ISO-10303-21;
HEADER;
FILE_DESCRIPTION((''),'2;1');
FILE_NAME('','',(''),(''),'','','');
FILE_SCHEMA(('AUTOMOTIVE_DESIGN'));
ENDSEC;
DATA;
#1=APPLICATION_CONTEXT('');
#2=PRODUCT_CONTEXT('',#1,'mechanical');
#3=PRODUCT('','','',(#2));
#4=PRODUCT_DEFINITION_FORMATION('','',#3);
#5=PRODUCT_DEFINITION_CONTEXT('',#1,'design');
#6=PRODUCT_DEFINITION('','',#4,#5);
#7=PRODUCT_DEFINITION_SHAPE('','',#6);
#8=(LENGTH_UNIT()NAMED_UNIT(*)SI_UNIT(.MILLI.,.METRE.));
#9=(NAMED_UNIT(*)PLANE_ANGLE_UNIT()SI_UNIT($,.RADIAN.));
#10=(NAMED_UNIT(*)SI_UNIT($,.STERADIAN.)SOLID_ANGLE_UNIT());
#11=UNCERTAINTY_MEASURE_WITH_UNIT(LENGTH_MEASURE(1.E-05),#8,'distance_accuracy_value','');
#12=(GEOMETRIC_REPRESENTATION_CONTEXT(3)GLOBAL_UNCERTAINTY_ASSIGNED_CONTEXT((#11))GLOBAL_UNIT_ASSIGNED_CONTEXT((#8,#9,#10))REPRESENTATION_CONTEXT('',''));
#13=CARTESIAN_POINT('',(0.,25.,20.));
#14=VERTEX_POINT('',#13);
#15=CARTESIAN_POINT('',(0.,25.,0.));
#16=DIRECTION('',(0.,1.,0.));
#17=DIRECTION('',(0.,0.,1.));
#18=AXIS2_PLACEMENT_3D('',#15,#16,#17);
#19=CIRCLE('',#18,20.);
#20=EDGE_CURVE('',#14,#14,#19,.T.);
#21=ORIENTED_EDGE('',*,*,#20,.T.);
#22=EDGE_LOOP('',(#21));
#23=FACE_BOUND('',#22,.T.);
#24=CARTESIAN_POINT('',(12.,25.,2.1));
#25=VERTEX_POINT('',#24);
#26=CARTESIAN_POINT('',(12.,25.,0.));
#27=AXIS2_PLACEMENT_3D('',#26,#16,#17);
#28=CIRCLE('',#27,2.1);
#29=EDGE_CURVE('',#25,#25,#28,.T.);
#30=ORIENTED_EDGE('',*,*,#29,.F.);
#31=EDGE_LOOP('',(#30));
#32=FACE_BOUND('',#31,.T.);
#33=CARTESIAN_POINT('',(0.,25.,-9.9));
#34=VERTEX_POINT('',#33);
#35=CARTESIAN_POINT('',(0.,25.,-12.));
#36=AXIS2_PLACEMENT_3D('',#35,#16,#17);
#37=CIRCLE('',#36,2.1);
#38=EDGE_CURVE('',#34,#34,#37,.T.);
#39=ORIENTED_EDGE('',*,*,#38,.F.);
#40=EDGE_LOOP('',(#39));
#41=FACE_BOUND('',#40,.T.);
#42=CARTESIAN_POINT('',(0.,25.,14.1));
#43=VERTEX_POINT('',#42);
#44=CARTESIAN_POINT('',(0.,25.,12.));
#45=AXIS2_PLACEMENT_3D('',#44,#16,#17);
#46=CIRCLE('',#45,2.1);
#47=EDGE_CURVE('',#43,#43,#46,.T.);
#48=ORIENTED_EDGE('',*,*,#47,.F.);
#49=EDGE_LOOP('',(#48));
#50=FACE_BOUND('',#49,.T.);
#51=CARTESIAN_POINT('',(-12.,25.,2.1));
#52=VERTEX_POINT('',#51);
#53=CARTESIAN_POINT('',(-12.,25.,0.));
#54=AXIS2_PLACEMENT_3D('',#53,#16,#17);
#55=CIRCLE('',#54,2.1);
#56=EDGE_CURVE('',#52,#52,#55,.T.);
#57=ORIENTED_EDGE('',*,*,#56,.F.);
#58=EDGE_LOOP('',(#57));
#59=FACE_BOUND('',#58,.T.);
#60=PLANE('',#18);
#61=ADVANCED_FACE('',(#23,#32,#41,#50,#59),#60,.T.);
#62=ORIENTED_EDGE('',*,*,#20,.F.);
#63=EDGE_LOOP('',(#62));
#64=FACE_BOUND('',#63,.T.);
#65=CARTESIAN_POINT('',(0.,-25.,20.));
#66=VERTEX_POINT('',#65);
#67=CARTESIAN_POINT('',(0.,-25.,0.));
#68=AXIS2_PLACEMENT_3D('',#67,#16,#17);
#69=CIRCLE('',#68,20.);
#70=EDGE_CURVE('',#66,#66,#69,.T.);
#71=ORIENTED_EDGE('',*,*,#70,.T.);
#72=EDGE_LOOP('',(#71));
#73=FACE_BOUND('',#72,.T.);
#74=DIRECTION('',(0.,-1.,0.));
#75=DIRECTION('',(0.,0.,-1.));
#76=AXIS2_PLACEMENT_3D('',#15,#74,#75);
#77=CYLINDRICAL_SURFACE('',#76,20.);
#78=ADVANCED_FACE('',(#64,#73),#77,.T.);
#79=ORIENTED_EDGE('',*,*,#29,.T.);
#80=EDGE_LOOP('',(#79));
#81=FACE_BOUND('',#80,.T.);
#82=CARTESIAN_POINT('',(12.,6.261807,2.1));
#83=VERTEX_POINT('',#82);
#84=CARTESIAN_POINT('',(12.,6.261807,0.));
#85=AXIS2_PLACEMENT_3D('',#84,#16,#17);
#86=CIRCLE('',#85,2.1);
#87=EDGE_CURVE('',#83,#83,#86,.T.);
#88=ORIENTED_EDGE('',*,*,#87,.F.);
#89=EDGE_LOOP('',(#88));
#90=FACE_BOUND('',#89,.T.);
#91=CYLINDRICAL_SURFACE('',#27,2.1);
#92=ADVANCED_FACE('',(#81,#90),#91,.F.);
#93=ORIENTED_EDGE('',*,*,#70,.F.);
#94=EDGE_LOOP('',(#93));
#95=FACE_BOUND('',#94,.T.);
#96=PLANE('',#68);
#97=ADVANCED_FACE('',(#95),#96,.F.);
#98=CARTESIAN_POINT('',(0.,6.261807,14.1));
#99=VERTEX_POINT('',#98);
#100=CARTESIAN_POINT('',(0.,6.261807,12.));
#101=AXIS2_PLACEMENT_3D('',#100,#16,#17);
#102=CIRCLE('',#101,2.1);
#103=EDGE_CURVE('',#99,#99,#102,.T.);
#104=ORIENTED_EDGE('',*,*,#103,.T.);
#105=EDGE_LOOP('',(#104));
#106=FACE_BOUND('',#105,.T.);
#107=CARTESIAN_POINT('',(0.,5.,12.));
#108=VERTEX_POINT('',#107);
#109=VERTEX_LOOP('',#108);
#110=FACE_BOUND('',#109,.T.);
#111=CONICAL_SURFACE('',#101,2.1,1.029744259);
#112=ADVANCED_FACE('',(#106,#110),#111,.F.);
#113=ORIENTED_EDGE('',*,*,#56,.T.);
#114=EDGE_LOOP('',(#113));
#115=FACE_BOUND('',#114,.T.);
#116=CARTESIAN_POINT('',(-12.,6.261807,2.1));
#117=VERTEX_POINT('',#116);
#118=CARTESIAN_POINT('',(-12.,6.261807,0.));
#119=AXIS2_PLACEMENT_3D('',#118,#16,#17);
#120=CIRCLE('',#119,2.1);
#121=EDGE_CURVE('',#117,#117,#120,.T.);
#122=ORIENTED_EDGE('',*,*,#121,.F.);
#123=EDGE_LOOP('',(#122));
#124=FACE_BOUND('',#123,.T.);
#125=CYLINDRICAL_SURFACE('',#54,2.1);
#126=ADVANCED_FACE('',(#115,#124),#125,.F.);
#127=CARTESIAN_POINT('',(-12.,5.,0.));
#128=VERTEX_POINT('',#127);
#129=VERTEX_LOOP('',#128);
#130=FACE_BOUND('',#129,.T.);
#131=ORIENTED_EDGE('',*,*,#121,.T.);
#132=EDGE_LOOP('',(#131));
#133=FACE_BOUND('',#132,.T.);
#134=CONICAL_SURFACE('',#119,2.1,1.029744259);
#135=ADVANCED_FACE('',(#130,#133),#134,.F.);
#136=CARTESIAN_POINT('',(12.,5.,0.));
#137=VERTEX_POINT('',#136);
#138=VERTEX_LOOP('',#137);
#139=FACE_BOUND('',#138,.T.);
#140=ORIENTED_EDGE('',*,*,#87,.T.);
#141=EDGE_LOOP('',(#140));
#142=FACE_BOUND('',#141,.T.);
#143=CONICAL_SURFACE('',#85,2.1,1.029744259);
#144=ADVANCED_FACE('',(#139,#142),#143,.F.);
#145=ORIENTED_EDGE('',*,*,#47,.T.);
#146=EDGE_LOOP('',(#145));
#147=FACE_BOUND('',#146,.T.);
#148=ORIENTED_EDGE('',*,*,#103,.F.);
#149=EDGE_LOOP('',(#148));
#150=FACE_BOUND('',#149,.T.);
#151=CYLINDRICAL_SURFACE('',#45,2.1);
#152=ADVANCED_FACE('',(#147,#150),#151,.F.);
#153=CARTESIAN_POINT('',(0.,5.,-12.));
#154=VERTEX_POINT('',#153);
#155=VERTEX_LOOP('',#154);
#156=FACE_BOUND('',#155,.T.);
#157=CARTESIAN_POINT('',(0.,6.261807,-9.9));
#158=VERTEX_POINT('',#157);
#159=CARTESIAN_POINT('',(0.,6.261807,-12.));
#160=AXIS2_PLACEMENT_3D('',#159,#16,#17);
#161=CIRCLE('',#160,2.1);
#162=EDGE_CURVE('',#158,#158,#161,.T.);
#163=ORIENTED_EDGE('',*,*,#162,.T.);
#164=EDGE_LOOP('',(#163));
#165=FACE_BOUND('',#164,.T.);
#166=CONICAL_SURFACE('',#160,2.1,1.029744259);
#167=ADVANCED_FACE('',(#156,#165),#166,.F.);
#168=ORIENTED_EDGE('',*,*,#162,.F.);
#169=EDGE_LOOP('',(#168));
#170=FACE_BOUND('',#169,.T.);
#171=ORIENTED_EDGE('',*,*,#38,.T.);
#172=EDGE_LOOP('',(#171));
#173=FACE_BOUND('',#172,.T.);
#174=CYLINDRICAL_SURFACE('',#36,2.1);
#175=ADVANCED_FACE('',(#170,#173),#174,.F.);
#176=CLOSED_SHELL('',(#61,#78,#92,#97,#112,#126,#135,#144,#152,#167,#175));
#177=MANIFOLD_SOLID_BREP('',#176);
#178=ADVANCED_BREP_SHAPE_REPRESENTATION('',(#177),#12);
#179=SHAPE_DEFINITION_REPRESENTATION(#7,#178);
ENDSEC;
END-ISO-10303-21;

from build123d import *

# Parameters (mm, degrees)
SKETCH1_R                 = 20
BOSS_EXTRUDE1_DEPTH       = 25
M5X0_8_TAPPED_HOLE1_D     = 4.2
M5X0_8_TAPPED_HOLE1_DEPTH = 18.7381927
M5X0_8_TAPPED_HOLE1_TIP   = 1.2618073


with BuildPart() as part:
    # Sketch1 → Boss-Extrude1 (new body, symmetric)
    with BuildSketch(Plane(origin=(0, 0, 0), x_dir=(1, 0, 0), z_dir=(0, 1, 0))):
        Circle(SKETCH1_R)
    extrude(amount=BOSS_EXTRUDE1_DEPTH, both=True)

    # M5x0.8 Tapped Hole1
    with Locations(Plane(origin=(0, 25, -12), x_dir=(0, 0, 1), z_dir=(0, 1, 0))):
        with Locations((0, 0), (12, 12), (24, 0), (12, -12)):
            Hole(M5X0_8_TAPPED_HOLE1_D / 2, depth=M5X0_8_TAPPED_HOLE1_DEPTH)
            with Locations((0, 0, -(M5X0_8_TAPPED_HOLE1_DEPTH + M5X0_8_TAPPED_HOLE1_TIP / 2))):  # 118° drill point
                Cone(0, M5X0_8_TAPPED_HOLE1_D / 2, M5X0_8_TAPPED_HOLE1_TIP, mode=Mode.SUBTRACT)


solid = part.part
